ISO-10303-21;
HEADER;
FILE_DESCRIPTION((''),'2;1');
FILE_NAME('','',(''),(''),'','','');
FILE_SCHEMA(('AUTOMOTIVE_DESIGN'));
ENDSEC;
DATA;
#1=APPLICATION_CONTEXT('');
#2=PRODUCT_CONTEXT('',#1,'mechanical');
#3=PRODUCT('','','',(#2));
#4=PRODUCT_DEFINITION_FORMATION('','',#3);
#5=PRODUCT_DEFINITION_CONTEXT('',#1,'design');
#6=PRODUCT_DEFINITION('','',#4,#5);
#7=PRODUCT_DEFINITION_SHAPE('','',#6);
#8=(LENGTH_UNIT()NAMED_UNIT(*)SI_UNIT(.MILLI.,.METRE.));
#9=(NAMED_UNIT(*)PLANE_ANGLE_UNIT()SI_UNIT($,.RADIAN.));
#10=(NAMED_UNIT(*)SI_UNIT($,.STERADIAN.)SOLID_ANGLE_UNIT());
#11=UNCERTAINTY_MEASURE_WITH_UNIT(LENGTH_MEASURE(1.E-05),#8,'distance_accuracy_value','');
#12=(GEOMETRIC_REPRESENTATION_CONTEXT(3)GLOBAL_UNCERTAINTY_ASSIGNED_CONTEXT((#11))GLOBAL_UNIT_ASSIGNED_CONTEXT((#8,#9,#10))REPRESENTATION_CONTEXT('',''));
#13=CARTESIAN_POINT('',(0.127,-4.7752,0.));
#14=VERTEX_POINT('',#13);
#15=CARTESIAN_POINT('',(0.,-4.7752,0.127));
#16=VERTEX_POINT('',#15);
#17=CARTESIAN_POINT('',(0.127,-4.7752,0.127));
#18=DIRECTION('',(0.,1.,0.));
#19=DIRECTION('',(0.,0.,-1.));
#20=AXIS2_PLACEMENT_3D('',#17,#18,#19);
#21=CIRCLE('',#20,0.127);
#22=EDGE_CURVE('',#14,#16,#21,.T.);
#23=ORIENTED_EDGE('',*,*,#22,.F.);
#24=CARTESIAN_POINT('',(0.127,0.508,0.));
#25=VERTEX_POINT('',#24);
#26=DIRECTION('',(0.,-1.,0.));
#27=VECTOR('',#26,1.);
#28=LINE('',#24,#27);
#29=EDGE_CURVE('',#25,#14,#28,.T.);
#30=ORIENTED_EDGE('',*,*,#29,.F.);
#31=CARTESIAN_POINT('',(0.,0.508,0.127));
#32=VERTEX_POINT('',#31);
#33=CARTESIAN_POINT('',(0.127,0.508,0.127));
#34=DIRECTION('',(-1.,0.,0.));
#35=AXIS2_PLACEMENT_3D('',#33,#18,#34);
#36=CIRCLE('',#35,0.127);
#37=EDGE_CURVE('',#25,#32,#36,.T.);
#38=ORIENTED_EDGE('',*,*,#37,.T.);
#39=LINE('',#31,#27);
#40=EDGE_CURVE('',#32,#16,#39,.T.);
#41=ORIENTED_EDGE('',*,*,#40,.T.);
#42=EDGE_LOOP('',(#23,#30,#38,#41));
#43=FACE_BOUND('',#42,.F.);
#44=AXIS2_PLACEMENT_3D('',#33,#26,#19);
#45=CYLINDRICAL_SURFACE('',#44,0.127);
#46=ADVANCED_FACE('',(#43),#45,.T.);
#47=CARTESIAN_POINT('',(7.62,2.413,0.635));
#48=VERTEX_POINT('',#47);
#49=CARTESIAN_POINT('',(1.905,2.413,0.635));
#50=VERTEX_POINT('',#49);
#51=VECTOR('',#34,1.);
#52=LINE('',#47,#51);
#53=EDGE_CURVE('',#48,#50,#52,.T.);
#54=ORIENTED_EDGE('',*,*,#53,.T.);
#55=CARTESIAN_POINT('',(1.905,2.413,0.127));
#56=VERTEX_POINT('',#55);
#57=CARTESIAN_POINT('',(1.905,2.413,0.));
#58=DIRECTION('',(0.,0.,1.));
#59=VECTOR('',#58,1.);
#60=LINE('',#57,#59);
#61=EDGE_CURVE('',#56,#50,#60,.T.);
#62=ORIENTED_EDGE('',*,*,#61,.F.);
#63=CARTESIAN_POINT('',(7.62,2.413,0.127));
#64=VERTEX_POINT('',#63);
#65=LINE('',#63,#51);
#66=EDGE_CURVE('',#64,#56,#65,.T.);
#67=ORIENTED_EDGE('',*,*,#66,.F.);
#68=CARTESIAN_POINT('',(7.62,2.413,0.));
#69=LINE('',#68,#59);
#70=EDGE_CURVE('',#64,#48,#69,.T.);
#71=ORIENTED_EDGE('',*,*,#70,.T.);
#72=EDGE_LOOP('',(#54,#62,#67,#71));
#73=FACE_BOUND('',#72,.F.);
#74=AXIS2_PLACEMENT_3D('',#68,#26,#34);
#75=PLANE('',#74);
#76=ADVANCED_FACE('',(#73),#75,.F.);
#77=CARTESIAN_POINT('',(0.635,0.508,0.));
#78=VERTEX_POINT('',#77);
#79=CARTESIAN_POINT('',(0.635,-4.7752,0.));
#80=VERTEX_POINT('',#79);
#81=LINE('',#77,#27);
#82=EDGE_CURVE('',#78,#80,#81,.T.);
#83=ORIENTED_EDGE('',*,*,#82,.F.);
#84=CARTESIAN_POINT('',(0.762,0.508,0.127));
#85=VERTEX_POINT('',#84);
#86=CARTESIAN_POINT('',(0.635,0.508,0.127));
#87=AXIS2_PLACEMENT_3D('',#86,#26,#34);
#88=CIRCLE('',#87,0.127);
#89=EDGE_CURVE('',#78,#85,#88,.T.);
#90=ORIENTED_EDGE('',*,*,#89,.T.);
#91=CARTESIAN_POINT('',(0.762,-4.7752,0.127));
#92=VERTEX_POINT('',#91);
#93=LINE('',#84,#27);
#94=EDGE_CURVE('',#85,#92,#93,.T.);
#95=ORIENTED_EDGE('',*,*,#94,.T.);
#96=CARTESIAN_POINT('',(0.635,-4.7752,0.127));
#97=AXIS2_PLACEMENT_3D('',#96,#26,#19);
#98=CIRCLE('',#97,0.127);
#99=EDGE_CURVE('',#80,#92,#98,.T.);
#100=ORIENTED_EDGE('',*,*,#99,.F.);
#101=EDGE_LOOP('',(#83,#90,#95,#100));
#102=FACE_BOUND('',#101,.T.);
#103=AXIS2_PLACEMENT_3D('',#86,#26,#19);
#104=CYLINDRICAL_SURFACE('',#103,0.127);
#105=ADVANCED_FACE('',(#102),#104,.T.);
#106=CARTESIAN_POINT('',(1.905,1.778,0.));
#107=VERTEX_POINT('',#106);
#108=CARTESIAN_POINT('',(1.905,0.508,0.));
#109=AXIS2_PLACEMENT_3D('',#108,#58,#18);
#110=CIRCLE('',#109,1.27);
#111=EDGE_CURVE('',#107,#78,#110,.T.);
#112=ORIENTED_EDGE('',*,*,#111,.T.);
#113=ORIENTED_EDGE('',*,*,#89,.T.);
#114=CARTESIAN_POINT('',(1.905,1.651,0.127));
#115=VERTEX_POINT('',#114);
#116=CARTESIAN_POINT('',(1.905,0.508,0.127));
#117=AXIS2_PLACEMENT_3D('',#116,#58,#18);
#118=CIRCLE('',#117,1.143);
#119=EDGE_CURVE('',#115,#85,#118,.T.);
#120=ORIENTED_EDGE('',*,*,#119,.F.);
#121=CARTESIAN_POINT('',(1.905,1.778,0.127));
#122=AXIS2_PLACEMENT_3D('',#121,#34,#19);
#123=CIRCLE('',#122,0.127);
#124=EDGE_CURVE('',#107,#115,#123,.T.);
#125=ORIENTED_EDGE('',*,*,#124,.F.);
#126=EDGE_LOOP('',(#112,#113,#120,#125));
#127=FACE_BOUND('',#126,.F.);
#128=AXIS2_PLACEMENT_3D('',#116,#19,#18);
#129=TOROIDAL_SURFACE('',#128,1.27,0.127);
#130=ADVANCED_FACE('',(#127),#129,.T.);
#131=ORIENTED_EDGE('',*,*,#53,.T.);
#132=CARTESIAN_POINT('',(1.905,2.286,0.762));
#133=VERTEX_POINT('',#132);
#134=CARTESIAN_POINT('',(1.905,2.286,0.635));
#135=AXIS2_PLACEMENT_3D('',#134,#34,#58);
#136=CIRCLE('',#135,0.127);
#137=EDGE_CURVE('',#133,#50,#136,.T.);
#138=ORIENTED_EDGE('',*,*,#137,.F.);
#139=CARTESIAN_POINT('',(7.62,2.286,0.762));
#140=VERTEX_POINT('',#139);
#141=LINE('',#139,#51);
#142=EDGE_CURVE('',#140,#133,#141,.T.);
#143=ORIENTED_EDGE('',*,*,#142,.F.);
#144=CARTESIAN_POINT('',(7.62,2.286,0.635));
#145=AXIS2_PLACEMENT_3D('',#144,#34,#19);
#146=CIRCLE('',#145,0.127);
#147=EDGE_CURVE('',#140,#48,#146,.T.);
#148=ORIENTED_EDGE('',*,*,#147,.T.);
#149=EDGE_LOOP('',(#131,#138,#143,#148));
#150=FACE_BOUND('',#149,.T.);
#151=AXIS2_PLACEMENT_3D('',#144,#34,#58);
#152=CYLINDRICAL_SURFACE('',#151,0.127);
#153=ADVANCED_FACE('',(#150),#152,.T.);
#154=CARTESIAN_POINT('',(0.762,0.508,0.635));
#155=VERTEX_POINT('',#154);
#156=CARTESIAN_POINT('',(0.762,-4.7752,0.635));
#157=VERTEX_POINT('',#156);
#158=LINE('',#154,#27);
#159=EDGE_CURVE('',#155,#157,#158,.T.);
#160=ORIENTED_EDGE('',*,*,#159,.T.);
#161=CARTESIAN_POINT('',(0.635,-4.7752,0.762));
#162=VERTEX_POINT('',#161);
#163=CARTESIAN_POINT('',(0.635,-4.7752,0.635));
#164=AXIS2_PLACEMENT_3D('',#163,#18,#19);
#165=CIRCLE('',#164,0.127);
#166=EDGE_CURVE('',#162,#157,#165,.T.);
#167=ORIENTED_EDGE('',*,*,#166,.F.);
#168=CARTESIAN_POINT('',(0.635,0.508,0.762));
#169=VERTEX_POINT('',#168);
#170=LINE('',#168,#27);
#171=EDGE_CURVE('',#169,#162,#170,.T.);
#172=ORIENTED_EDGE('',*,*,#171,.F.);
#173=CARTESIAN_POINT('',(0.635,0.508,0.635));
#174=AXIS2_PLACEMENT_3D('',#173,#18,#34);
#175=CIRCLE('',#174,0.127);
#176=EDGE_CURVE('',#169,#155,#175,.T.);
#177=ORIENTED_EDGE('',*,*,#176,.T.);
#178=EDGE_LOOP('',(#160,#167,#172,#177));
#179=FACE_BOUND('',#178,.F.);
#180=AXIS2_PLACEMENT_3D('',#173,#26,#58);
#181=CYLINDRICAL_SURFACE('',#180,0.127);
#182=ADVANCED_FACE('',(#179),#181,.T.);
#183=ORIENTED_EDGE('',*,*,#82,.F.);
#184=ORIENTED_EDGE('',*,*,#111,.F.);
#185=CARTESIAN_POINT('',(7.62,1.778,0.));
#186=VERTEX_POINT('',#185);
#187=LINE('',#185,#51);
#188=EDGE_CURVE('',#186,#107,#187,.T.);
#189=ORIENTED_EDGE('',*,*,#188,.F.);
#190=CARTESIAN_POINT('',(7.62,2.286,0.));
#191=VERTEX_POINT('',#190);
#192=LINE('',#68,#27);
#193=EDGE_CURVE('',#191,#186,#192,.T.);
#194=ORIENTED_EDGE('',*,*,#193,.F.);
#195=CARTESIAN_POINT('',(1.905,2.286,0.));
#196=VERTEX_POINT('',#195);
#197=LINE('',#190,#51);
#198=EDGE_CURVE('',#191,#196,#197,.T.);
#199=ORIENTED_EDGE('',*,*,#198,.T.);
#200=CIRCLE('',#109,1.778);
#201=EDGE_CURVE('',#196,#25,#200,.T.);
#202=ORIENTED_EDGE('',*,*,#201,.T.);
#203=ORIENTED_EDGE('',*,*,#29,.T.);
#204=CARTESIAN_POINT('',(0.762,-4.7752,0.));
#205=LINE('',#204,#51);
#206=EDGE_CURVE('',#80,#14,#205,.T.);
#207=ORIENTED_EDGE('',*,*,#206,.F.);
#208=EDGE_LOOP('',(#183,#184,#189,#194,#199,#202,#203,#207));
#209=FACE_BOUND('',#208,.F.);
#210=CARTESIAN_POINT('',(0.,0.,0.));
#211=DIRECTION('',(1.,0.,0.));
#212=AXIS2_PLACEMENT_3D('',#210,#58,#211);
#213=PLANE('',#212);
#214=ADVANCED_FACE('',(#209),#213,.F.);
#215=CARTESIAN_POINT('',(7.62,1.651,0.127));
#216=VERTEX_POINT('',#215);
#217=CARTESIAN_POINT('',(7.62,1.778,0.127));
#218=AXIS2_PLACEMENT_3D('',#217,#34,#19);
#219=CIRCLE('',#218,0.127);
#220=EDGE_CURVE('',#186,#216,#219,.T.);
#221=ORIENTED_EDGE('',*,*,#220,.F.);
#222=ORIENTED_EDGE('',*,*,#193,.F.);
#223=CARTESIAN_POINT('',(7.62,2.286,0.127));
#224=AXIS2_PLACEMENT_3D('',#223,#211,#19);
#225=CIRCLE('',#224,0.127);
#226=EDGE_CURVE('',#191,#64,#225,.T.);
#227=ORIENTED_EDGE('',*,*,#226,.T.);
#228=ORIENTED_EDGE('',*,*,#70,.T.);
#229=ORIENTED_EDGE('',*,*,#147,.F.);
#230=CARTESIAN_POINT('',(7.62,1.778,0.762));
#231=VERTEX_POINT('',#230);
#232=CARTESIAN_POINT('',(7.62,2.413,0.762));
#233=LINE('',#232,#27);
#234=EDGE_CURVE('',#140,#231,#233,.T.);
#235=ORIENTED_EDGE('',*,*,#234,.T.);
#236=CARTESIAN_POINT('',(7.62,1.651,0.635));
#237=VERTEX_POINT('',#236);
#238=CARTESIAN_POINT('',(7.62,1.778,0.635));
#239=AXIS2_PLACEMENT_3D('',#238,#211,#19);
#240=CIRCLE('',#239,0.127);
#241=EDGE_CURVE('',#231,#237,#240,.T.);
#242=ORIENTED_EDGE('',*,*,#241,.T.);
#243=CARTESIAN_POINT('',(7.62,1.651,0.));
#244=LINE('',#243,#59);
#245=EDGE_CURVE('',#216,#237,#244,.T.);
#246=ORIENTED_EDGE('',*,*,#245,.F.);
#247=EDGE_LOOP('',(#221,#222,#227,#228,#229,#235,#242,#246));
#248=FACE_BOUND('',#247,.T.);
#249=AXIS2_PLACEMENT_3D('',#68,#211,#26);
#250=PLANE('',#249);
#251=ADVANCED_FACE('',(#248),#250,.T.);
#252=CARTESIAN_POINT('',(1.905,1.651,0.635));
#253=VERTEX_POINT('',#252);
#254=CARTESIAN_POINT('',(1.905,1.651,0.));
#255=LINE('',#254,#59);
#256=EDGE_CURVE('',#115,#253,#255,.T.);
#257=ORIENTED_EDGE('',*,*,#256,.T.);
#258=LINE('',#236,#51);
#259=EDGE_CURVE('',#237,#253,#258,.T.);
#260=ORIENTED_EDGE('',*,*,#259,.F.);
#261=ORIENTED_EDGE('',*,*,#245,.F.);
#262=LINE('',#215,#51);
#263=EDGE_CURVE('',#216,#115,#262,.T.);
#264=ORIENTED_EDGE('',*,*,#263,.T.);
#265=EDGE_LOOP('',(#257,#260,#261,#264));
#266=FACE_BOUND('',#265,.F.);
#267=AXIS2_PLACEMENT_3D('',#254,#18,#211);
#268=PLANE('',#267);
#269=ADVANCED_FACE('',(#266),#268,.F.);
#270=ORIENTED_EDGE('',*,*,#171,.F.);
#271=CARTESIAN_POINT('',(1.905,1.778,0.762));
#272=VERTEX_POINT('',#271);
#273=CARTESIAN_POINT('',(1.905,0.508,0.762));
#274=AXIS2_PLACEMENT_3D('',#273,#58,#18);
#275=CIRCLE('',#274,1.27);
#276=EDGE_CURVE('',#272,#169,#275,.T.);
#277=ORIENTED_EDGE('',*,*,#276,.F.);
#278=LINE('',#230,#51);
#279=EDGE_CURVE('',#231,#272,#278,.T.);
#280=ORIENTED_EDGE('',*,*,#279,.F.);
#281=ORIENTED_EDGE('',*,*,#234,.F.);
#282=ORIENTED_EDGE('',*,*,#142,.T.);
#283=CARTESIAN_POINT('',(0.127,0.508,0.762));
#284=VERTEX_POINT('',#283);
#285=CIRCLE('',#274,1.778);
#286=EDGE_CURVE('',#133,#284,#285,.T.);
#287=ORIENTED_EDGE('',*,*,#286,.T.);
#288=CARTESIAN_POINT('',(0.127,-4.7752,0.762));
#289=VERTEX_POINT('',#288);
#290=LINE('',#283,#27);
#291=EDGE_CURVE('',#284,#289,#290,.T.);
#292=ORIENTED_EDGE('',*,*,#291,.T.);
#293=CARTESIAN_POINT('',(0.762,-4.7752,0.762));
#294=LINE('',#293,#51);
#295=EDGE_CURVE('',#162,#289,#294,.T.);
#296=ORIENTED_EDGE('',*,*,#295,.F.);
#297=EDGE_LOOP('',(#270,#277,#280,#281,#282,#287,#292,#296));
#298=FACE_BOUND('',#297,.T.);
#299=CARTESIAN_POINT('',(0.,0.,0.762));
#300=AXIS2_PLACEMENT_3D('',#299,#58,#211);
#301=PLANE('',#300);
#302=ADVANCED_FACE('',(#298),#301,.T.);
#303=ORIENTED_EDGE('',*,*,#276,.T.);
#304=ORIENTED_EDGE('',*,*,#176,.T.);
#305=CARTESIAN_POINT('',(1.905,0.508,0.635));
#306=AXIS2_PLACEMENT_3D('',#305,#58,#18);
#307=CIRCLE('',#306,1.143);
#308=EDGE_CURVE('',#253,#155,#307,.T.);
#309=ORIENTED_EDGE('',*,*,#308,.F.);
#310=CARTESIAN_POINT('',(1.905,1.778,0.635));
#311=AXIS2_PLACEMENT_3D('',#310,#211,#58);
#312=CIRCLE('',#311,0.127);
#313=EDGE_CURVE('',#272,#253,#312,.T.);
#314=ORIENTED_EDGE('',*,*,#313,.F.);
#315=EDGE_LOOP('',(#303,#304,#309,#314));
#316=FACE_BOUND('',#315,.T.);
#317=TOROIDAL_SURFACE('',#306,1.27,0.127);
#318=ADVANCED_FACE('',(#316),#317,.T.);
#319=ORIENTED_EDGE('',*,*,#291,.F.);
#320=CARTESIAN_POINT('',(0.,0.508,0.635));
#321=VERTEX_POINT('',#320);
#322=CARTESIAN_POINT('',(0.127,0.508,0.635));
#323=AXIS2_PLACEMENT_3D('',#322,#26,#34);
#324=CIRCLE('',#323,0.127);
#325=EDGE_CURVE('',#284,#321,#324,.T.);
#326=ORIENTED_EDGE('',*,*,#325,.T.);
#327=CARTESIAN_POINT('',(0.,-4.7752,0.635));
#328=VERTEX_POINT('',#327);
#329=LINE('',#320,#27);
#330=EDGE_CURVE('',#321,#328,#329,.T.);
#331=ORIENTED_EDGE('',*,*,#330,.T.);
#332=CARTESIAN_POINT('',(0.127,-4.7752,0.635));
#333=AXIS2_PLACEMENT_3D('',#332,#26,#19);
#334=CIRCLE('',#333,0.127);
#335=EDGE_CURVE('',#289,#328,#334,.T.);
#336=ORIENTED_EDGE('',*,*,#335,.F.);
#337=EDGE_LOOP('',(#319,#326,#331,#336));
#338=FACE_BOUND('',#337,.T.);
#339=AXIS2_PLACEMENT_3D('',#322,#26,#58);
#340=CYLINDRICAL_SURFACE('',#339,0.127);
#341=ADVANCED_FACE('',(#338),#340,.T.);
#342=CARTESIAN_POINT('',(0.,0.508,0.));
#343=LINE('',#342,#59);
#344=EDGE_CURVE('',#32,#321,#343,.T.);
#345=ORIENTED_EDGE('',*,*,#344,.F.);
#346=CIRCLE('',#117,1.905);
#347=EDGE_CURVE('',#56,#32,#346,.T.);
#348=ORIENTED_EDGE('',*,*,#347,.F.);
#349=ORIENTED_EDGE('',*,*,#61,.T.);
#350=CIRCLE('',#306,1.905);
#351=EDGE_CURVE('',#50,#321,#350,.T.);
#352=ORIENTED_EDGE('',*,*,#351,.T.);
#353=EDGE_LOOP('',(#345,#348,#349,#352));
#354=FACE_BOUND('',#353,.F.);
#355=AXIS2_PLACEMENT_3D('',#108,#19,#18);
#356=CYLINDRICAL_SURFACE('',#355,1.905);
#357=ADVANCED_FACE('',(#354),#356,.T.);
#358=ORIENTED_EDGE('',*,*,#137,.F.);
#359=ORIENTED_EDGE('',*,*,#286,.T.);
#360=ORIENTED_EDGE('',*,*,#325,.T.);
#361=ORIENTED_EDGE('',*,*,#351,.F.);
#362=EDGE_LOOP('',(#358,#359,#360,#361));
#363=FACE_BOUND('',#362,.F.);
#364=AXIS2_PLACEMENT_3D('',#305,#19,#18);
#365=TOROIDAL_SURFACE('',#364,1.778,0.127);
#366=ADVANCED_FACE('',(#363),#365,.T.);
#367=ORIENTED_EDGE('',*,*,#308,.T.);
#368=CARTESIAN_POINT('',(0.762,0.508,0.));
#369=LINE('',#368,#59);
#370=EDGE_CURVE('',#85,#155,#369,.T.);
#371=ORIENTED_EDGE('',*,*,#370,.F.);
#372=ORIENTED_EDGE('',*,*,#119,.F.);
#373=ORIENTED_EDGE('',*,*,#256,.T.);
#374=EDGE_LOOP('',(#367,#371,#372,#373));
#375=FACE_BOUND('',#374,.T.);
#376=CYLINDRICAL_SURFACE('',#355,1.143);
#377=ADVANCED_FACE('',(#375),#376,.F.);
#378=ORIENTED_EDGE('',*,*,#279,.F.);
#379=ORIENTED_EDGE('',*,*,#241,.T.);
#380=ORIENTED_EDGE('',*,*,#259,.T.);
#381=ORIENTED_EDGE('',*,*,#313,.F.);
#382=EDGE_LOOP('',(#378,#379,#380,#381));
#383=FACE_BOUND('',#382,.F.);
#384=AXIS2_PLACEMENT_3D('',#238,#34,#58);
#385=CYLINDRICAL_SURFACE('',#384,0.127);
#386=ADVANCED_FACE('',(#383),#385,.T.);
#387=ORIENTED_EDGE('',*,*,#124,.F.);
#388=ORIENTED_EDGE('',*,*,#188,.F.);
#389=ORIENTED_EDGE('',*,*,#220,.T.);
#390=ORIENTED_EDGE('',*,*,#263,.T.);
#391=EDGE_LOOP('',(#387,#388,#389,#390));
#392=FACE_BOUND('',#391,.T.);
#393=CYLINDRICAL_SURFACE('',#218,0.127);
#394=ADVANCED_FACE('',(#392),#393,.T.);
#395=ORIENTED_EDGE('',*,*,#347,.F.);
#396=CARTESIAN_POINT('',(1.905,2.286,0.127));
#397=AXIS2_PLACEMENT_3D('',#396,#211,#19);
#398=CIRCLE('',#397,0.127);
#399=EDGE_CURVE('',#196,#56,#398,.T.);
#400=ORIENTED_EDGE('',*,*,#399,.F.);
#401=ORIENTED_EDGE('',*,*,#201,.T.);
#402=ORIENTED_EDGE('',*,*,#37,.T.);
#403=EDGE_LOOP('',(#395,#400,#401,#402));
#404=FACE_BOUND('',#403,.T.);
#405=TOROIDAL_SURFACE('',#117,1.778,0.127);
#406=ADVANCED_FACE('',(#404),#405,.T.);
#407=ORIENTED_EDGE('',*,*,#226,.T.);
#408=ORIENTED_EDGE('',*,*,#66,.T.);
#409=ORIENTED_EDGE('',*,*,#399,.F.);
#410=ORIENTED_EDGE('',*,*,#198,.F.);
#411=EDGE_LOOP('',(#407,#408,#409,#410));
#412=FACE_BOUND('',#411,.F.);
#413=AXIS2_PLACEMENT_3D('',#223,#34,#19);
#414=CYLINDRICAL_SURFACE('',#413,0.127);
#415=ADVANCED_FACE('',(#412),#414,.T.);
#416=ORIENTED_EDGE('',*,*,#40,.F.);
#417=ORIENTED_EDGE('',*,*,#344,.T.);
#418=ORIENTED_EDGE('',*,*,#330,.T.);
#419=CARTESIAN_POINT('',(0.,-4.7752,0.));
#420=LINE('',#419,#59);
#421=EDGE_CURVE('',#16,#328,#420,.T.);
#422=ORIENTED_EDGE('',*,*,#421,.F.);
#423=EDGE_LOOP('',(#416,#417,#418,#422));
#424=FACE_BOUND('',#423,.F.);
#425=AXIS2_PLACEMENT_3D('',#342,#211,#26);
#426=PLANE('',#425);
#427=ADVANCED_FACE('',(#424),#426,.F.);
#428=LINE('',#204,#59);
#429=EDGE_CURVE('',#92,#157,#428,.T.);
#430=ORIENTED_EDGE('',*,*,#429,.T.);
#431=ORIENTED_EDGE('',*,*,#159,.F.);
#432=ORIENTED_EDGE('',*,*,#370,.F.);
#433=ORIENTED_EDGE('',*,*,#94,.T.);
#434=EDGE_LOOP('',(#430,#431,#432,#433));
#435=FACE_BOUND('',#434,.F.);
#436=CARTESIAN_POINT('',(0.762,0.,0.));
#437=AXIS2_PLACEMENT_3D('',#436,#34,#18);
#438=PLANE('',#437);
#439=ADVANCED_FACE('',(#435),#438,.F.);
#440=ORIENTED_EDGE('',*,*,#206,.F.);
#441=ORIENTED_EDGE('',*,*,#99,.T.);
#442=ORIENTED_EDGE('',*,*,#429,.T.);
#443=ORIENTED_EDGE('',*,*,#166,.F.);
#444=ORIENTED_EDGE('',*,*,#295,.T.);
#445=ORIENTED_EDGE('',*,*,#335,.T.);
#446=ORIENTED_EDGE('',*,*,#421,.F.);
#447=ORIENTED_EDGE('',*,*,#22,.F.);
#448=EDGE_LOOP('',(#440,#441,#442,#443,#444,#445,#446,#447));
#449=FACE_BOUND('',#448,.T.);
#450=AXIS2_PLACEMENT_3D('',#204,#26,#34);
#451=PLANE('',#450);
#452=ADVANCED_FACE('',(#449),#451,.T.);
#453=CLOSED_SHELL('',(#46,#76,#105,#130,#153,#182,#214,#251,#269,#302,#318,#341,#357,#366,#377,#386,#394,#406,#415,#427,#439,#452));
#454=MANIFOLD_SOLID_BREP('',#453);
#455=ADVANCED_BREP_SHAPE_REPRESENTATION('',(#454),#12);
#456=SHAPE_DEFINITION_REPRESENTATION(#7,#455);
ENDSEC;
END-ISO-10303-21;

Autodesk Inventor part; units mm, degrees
ref_plane "YZ Plane" through (0, 0, 0) normal (1, 0, 0) x (0, 1, 0)
ref_plane "XZ Plane" through (0, 0, 0) normal (0, 1, 0) x (-1, 0, 0)
ref_plane "XY Plane" through (0, 0, 0) normal (0, 0, 1) x (1, 0, 0)
sketch "Sketch1" plane through (0, 0, 0) normal (0, 0, 1) x (1, 0, 0)
  line L0 (7.62, 2.413) -> (1.905, 2.413)
  line L1 (0, 0.508) -> (0, 0)
  line L2 (0.762, 0) -> (0.762, 0.508)
  line L3 (1.905, 1.651) -> (7.62, 1.651)
  arc A0 (1.905, 1.651) -> (0.762, 0.508) centre (1.905, 0.508) ccw
  arc A1 (1.905, 2.413) -> (0, 0.508) centre (1.905, 0.508) ccw
  line L4 (7.62, 2.413) -> (7.62, 1.651)
  line L5 (0.762, 0) -> (0, 0)
  line L6 (0.762, -4.7752) -> (0, -4.7752)
  line L7 (0, -4.7752) -> (0, 0)
  line L8 (0, 0) -> (0.762, 0)
  line L9 (0.762, 0) -> (0.762, -4.7752)
  point P0 (0, 2.413)
  dimension "d0" = 7.62
  dimension "d1" = 0.762
  dimension "d2" = 1.143
  dimension "d3" = 1.905
  dimension "d4" = 2.413
  dimension "d5" = 4.7752
extrude "Extrusion1" add sketch "Sketch1" along normal blind 0.762
fillet "Fillet2" radius 0.127 8 edges at (1.0968, 1.3162, 0.762) (4.7625, 1.651, 0.762) (0.558, 1.855, 0.762) (4.7625, 2.413, 0.762) (0.558, 1.855, 0) (4.7625, 2.413, 0) (1.0968, 1.3162, 0) (4.7625, 1.651, 0)
properties part number "90d pin_header"
